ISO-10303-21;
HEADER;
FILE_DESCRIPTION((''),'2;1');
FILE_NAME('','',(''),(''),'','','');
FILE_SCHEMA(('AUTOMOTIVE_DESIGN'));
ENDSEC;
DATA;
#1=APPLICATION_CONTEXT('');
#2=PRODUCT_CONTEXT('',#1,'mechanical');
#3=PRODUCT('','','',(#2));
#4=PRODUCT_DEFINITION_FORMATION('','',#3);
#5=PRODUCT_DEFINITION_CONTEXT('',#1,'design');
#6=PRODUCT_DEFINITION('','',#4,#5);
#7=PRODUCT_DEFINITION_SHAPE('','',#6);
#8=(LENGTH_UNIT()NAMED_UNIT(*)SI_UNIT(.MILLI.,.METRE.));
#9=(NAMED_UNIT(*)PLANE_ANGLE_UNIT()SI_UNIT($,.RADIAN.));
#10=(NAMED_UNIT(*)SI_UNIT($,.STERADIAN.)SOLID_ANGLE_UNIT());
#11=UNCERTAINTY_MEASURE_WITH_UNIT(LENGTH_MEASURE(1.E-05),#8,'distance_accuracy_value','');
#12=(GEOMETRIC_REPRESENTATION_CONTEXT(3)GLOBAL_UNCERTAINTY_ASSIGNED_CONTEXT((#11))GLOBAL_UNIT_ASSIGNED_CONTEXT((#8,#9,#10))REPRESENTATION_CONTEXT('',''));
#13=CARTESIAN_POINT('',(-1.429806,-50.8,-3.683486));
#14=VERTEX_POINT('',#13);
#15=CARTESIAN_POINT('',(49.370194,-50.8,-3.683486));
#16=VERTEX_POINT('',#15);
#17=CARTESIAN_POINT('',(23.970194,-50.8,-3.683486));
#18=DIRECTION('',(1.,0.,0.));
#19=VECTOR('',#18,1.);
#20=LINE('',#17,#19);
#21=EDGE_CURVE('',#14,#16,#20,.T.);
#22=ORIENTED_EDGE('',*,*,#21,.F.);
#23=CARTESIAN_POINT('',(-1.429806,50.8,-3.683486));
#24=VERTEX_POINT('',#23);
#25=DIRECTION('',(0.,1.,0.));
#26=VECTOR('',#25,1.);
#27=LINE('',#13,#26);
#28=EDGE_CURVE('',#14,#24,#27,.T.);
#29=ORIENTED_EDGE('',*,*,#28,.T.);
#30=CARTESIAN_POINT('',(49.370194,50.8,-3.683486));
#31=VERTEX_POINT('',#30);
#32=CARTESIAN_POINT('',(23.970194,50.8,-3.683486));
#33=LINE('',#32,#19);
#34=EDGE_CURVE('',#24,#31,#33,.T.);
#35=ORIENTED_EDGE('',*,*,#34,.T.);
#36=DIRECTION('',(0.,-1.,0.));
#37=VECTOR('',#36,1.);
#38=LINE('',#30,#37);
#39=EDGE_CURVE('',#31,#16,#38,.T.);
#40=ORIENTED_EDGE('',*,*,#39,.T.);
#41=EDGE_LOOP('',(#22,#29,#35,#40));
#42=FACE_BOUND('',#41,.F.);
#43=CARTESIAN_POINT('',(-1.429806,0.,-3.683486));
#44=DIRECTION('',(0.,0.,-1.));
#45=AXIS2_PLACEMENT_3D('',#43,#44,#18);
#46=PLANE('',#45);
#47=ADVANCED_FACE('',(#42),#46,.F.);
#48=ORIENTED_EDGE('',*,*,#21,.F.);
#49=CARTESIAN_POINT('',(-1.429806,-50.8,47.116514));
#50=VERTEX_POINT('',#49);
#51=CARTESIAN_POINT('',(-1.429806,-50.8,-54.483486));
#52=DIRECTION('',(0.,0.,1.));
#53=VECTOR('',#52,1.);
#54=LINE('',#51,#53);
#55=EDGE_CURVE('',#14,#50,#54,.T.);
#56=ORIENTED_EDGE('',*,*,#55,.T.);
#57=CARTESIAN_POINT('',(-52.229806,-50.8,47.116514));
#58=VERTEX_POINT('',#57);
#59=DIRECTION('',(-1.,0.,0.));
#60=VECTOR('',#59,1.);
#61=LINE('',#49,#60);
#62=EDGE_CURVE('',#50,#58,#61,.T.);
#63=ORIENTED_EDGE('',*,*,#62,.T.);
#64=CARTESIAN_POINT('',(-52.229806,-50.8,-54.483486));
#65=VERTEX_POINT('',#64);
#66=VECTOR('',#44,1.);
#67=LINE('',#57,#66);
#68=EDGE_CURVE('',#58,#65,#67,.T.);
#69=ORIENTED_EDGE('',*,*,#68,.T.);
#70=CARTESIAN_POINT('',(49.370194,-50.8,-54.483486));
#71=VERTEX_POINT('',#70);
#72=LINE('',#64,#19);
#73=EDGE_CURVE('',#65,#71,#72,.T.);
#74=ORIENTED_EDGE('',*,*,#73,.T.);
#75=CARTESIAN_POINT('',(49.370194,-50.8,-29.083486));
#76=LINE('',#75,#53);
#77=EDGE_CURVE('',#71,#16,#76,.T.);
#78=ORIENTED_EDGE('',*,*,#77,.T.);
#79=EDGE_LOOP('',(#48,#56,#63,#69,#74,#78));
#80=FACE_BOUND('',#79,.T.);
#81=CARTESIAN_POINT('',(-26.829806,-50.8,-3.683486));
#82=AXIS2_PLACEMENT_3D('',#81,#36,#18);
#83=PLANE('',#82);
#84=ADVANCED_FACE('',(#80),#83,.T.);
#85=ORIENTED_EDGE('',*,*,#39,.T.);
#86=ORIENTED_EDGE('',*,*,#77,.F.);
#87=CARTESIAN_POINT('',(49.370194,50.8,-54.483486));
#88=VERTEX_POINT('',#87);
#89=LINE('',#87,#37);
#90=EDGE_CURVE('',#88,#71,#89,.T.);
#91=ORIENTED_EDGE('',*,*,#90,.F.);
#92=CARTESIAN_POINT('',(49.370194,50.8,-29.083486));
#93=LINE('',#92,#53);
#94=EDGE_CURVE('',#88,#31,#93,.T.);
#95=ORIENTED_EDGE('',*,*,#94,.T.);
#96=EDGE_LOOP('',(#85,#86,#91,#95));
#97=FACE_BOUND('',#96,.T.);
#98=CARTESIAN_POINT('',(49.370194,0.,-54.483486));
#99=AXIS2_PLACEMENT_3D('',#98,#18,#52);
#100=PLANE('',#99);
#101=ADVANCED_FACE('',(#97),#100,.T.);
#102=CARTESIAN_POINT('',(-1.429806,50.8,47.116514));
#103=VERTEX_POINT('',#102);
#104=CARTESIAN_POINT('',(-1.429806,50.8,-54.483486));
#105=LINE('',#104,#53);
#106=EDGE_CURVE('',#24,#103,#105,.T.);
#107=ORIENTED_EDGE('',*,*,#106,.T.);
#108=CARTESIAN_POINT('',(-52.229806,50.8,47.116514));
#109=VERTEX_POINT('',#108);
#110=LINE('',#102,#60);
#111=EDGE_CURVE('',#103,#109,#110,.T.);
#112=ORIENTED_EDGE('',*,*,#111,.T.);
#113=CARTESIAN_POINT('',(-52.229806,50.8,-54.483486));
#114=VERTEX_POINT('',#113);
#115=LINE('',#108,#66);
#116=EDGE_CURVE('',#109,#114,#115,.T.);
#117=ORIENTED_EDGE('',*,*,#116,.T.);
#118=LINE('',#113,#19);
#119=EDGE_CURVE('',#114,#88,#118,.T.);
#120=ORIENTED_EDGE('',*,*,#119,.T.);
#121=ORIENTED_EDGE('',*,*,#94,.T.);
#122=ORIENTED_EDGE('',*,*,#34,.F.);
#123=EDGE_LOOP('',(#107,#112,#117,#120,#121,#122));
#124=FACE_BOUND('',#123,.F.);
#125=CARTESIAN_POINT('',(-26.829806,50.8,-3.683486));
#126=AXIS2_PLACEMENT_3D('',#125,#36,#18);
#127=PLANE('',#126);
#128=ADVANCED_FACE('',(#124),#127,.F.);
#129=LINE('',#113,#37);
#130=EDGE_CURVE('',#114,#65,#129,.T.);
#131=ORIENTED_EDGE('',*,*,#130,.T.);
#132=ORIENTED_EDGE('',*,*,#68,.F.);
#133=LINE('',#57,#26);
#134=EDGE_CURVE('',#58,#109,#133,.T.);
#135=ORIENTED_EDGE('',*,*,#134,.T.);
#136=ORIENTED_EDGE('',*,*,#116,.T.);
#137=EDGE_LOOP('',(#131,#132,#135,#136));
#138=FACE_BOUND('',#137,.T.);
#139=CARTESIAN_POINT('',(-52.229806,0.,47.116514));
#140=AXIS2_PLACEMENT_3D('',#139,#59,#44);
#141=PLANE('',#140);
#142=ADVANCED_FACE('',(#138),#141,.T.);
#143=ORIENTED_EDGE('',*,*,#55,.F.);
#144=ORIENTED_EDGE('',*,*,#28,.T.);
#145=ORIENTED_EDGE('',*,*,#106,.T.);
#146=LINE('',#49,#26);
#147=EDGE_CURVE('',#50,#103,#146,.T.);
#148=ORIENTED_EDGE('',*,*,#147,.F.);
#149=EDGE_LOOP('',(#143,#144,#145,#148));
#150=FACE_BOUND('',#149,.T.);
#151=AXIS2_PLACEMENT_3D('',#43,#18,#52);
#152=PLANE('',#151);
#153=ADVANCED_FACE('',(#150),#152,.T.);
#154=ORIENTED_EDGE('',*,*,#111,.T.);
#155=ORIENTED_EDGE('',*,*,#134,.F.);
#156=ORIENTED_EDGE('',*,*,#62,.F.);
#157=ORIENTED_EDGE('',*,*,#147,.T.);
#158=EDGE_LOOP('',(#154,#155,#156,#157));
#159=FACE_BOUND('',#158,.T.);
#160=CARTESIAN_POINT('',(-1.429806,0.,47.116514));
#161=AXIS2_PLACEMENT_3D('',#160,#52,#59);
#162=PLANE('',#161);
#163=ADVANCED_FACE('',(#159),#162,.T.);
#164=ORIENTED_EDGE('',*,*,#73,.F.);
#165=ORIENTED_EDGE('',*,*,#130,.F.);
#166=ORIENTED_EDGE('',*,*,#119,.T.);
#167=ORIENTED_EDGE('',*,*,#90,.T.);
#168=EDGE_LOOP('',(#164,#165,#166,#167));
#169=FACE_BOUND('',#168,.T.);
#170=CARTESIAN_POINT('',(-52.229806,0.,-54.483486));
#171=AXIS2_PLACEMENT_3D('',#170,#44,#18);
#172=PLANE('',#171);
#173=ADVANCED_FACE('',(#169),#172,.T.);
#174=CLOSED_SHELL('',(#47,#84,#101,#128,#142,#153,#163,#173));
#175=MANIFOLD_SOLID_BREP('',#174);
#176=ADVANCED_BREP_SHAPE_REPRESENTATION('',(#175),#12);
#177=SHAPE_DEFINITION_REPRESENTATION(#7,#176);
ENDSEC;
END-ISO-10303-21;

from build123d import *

# Parameters (mm, degrees)
F0_W     = 50.8
F0_H     = 50.8
F1_DEPTH = 50.8


with BuildPart() as f1:
    # F0 (on Front) → F1 (new body, symmetric)
    with BuildSketch(Plane.XZ):
        Polygon((-52.229806, 47.116514), (-52.229806, -54.483486), (-1.429806, -54.483486), (-1.429806, -3.683486), (-1.429806, 47.116514), align=None)
        with Locations((23.970194, -29.083486)):
            Rectangle(F0_W, F0_H)
    extrude(amount=F1_DEPTH, both=True)


solid = f1.part
